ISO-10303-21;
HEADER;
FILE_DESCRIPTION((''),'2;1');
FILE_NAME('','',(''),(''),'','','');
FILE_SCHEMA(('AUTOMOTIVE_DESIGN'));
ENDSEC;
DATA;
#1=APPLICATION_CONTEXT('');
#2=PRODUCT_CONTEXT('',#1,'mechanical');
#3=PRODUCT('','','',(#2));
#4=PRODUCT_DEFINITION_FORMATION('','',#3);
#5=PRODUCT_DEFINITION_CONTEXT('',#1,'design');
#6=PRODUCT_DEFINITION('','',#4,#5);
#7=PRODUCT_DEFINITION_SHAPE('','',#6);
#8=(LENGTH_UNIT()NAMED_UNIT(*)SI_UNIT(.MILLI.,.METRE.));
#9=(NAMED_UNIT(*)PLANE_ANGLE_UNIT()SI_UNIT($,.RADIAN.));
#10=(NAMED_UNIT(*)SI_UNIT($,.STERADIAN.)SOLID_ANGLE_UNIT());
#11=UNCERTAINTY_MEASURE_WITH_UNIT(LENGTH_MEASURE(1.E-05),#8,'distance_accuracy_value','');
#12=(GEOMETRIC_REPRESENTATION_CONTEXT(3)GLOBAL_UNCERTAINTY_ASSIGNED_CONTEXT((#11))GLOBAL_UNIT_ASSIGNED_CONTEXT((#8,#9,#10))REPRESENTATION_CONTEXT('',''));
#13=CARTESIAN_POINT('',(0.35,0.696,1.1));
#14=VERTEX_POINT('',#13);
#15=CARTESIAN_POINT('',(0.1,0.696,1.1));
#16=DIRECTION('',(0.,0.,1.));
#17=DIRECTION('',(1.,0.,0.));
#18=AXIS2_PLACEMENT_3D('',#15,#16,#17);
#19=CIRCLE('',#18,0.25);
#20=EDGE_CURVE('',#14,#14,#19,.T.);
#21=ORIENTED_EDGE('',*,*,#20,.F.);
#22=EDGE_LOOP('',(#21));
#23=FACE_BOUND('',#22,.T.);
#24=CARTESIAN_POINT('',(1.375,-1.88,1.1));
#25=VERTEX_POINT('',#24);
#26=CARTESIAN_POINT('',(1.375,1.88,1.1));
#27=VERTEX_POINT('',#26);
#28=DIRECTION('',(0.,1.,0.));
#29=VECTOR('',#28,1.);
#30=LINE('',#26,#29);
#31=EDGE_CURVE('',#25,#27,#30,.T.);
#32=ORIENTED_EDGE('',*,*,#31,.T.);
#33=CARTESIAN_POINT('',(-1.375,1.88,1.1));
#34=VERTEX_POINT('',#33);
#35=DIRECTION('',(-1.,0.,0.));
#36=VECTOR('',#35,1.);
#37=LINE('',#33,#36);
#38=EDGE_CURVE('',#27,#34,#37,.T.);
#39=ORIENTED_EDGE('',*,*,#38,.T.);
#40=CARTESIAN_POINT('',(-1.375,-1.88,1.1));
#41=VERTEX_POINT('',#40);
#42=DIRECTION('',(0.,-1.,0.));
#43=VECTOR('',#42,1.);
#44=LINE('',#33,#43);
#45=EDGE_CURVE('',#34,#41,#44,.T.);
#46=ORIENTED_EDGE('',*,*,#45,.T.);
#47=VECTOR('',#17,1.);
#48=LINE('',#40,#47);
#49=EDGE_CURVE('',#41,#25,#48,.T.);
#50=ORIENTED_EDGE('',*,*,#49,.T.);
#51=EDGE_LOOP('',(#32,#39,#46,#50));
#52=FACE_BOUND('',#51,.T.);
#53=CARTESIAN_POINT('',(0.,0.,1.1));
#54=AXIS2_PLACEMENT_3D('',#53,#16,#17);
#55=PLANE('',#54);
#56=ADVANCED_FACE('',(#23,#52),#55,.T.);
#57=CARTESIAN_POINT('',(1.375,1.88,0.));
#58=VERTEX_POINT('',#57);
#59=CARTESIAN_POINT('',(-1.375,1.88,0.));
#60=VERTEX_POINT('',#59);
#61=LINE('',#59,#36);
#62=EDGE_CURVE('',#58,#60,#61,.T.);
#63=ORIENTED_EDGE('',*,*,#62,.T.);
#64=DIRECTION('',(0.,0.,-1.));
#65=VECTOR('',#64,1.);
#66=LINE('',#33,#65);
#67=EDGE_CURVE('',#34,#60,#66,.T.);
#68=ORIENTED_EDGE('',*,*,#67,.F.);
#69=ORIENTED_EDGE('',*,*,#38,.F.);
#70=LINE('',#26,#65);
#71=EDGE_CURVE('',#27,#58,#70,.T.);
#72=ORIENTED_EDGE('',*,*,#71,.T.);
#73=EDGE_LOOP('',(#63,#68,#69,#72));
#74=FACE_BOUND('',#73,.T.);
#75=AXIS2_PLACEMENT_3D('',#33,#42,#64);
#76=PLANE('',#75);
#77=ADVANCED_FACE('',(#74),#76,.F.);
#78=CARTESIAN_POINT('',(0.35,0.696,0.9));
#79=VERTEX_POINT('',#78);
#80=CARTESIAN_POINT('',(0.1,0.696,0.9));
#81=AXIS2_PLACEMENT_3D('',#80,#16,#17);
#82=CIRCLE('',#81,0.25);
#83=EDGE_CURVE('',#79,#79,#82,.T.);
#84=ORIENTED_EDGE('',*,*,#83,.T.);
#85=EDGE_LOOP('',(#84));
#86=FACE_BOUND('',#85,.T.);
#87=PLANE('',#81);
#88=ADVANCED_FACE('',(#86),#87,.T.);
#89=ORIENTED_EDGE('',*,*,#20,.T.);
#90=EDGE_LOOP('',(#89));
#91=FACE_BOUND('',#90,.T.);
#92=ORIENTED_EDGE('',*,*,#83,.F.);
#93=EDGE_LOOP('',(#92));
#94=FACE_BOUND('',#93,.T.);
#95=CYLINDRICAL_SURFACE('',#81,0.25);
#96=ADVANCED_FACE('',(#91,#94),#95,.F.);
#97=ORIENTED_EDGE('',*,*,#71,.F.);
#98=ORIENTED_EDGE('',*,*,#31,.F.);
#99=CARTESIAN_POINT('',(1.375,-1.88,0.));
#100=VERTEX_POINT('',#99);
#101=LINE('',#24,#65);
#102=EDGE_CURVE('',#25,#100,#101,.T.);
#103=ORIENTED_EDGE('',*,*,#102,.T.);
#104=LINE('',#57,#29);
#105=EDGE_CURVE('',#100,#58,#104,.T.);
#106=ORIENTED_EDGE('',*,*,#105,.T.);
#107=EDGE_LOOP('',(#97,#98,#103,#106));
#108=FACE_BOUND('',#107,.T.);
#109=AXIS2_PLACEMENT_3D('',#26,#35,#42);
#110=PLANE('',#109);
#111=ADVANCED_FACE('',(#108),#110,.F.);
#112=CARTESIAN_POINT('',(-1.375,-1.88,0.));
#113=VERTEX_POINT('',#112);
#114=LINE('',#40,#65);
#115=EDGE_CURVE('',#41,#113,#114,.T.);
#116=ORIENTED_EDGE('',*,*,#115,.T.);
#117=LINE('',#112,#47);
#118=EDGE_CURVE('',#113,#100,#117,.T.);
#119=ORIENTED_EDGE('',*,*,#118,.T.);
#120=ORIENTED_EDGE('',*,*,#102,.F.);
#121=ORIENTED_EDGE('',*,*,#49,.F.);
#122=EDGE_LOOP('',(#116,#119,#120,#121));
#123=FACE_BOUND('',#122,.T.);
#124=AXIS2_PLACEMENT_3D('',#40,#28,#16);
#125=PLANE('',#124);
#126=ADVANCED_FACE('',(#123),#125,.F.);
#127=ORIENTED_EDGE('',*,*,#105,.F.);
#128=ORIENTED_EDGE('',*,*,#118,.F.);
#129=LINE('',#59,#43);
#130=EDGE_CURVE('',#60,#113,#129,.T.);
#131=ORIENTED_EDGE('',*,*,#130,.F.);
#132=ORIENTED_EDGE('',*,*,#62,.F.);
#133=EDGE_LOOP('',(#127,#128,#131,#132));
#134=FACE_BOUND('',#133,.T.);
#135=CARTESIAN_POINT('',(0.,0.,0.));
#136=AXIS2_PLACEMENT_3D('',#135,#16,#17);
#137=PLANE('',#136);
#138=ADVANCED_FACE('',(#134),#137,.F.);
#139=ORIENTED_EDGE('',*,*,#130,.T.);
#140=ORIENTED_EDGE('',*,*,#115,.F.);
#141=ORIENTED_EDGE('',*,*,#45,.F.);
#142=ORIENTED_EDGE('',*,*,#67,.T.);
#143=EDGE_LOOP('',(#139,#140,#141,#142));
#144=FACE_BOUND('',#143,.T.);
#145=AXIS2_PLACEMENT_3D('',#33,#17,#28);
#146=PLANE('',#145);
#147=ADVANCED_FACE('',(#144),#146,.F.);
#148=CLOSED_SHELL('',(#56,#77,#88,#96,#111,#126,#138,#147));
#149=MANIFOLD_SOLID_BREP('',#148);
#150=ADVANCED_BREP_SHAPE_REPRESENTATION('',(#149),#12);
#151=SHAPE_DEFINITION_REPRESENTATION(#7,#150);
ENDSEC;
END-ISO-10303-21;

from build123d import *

# Parameters (mm, degrees)
SKETCH1_W           = 2.75
SKETCH1_H           = 3.76
BOSS_EXTRUDE1_DEPTH = 1.1
SKETCH2_R           = 0.25
CUT_EXTRUDE1_DEPTH  = 0.2


with BuildPart() as part:
    # Sketch1 → Boss-Extrude1 (new body)
    with BuildSketch(Plane.XY):
        Rectangle(SKETCH1_W, SKETCH1_H)
    extrude(amount=BOSS_EXTRUDE1_DEPTH)

    # Sketch2 → Cut-Extrude1 (cut)
    with BuildSketch(Plane.XY.offset(1.1)):
        with Locations((0.1, 0.696)):
            Circle(SKETCH2_R)
    extrude(amount=-CUT_EXTRUDE1_DEPTH, mode=Mode.SUBTRACT)


solid = part.part
